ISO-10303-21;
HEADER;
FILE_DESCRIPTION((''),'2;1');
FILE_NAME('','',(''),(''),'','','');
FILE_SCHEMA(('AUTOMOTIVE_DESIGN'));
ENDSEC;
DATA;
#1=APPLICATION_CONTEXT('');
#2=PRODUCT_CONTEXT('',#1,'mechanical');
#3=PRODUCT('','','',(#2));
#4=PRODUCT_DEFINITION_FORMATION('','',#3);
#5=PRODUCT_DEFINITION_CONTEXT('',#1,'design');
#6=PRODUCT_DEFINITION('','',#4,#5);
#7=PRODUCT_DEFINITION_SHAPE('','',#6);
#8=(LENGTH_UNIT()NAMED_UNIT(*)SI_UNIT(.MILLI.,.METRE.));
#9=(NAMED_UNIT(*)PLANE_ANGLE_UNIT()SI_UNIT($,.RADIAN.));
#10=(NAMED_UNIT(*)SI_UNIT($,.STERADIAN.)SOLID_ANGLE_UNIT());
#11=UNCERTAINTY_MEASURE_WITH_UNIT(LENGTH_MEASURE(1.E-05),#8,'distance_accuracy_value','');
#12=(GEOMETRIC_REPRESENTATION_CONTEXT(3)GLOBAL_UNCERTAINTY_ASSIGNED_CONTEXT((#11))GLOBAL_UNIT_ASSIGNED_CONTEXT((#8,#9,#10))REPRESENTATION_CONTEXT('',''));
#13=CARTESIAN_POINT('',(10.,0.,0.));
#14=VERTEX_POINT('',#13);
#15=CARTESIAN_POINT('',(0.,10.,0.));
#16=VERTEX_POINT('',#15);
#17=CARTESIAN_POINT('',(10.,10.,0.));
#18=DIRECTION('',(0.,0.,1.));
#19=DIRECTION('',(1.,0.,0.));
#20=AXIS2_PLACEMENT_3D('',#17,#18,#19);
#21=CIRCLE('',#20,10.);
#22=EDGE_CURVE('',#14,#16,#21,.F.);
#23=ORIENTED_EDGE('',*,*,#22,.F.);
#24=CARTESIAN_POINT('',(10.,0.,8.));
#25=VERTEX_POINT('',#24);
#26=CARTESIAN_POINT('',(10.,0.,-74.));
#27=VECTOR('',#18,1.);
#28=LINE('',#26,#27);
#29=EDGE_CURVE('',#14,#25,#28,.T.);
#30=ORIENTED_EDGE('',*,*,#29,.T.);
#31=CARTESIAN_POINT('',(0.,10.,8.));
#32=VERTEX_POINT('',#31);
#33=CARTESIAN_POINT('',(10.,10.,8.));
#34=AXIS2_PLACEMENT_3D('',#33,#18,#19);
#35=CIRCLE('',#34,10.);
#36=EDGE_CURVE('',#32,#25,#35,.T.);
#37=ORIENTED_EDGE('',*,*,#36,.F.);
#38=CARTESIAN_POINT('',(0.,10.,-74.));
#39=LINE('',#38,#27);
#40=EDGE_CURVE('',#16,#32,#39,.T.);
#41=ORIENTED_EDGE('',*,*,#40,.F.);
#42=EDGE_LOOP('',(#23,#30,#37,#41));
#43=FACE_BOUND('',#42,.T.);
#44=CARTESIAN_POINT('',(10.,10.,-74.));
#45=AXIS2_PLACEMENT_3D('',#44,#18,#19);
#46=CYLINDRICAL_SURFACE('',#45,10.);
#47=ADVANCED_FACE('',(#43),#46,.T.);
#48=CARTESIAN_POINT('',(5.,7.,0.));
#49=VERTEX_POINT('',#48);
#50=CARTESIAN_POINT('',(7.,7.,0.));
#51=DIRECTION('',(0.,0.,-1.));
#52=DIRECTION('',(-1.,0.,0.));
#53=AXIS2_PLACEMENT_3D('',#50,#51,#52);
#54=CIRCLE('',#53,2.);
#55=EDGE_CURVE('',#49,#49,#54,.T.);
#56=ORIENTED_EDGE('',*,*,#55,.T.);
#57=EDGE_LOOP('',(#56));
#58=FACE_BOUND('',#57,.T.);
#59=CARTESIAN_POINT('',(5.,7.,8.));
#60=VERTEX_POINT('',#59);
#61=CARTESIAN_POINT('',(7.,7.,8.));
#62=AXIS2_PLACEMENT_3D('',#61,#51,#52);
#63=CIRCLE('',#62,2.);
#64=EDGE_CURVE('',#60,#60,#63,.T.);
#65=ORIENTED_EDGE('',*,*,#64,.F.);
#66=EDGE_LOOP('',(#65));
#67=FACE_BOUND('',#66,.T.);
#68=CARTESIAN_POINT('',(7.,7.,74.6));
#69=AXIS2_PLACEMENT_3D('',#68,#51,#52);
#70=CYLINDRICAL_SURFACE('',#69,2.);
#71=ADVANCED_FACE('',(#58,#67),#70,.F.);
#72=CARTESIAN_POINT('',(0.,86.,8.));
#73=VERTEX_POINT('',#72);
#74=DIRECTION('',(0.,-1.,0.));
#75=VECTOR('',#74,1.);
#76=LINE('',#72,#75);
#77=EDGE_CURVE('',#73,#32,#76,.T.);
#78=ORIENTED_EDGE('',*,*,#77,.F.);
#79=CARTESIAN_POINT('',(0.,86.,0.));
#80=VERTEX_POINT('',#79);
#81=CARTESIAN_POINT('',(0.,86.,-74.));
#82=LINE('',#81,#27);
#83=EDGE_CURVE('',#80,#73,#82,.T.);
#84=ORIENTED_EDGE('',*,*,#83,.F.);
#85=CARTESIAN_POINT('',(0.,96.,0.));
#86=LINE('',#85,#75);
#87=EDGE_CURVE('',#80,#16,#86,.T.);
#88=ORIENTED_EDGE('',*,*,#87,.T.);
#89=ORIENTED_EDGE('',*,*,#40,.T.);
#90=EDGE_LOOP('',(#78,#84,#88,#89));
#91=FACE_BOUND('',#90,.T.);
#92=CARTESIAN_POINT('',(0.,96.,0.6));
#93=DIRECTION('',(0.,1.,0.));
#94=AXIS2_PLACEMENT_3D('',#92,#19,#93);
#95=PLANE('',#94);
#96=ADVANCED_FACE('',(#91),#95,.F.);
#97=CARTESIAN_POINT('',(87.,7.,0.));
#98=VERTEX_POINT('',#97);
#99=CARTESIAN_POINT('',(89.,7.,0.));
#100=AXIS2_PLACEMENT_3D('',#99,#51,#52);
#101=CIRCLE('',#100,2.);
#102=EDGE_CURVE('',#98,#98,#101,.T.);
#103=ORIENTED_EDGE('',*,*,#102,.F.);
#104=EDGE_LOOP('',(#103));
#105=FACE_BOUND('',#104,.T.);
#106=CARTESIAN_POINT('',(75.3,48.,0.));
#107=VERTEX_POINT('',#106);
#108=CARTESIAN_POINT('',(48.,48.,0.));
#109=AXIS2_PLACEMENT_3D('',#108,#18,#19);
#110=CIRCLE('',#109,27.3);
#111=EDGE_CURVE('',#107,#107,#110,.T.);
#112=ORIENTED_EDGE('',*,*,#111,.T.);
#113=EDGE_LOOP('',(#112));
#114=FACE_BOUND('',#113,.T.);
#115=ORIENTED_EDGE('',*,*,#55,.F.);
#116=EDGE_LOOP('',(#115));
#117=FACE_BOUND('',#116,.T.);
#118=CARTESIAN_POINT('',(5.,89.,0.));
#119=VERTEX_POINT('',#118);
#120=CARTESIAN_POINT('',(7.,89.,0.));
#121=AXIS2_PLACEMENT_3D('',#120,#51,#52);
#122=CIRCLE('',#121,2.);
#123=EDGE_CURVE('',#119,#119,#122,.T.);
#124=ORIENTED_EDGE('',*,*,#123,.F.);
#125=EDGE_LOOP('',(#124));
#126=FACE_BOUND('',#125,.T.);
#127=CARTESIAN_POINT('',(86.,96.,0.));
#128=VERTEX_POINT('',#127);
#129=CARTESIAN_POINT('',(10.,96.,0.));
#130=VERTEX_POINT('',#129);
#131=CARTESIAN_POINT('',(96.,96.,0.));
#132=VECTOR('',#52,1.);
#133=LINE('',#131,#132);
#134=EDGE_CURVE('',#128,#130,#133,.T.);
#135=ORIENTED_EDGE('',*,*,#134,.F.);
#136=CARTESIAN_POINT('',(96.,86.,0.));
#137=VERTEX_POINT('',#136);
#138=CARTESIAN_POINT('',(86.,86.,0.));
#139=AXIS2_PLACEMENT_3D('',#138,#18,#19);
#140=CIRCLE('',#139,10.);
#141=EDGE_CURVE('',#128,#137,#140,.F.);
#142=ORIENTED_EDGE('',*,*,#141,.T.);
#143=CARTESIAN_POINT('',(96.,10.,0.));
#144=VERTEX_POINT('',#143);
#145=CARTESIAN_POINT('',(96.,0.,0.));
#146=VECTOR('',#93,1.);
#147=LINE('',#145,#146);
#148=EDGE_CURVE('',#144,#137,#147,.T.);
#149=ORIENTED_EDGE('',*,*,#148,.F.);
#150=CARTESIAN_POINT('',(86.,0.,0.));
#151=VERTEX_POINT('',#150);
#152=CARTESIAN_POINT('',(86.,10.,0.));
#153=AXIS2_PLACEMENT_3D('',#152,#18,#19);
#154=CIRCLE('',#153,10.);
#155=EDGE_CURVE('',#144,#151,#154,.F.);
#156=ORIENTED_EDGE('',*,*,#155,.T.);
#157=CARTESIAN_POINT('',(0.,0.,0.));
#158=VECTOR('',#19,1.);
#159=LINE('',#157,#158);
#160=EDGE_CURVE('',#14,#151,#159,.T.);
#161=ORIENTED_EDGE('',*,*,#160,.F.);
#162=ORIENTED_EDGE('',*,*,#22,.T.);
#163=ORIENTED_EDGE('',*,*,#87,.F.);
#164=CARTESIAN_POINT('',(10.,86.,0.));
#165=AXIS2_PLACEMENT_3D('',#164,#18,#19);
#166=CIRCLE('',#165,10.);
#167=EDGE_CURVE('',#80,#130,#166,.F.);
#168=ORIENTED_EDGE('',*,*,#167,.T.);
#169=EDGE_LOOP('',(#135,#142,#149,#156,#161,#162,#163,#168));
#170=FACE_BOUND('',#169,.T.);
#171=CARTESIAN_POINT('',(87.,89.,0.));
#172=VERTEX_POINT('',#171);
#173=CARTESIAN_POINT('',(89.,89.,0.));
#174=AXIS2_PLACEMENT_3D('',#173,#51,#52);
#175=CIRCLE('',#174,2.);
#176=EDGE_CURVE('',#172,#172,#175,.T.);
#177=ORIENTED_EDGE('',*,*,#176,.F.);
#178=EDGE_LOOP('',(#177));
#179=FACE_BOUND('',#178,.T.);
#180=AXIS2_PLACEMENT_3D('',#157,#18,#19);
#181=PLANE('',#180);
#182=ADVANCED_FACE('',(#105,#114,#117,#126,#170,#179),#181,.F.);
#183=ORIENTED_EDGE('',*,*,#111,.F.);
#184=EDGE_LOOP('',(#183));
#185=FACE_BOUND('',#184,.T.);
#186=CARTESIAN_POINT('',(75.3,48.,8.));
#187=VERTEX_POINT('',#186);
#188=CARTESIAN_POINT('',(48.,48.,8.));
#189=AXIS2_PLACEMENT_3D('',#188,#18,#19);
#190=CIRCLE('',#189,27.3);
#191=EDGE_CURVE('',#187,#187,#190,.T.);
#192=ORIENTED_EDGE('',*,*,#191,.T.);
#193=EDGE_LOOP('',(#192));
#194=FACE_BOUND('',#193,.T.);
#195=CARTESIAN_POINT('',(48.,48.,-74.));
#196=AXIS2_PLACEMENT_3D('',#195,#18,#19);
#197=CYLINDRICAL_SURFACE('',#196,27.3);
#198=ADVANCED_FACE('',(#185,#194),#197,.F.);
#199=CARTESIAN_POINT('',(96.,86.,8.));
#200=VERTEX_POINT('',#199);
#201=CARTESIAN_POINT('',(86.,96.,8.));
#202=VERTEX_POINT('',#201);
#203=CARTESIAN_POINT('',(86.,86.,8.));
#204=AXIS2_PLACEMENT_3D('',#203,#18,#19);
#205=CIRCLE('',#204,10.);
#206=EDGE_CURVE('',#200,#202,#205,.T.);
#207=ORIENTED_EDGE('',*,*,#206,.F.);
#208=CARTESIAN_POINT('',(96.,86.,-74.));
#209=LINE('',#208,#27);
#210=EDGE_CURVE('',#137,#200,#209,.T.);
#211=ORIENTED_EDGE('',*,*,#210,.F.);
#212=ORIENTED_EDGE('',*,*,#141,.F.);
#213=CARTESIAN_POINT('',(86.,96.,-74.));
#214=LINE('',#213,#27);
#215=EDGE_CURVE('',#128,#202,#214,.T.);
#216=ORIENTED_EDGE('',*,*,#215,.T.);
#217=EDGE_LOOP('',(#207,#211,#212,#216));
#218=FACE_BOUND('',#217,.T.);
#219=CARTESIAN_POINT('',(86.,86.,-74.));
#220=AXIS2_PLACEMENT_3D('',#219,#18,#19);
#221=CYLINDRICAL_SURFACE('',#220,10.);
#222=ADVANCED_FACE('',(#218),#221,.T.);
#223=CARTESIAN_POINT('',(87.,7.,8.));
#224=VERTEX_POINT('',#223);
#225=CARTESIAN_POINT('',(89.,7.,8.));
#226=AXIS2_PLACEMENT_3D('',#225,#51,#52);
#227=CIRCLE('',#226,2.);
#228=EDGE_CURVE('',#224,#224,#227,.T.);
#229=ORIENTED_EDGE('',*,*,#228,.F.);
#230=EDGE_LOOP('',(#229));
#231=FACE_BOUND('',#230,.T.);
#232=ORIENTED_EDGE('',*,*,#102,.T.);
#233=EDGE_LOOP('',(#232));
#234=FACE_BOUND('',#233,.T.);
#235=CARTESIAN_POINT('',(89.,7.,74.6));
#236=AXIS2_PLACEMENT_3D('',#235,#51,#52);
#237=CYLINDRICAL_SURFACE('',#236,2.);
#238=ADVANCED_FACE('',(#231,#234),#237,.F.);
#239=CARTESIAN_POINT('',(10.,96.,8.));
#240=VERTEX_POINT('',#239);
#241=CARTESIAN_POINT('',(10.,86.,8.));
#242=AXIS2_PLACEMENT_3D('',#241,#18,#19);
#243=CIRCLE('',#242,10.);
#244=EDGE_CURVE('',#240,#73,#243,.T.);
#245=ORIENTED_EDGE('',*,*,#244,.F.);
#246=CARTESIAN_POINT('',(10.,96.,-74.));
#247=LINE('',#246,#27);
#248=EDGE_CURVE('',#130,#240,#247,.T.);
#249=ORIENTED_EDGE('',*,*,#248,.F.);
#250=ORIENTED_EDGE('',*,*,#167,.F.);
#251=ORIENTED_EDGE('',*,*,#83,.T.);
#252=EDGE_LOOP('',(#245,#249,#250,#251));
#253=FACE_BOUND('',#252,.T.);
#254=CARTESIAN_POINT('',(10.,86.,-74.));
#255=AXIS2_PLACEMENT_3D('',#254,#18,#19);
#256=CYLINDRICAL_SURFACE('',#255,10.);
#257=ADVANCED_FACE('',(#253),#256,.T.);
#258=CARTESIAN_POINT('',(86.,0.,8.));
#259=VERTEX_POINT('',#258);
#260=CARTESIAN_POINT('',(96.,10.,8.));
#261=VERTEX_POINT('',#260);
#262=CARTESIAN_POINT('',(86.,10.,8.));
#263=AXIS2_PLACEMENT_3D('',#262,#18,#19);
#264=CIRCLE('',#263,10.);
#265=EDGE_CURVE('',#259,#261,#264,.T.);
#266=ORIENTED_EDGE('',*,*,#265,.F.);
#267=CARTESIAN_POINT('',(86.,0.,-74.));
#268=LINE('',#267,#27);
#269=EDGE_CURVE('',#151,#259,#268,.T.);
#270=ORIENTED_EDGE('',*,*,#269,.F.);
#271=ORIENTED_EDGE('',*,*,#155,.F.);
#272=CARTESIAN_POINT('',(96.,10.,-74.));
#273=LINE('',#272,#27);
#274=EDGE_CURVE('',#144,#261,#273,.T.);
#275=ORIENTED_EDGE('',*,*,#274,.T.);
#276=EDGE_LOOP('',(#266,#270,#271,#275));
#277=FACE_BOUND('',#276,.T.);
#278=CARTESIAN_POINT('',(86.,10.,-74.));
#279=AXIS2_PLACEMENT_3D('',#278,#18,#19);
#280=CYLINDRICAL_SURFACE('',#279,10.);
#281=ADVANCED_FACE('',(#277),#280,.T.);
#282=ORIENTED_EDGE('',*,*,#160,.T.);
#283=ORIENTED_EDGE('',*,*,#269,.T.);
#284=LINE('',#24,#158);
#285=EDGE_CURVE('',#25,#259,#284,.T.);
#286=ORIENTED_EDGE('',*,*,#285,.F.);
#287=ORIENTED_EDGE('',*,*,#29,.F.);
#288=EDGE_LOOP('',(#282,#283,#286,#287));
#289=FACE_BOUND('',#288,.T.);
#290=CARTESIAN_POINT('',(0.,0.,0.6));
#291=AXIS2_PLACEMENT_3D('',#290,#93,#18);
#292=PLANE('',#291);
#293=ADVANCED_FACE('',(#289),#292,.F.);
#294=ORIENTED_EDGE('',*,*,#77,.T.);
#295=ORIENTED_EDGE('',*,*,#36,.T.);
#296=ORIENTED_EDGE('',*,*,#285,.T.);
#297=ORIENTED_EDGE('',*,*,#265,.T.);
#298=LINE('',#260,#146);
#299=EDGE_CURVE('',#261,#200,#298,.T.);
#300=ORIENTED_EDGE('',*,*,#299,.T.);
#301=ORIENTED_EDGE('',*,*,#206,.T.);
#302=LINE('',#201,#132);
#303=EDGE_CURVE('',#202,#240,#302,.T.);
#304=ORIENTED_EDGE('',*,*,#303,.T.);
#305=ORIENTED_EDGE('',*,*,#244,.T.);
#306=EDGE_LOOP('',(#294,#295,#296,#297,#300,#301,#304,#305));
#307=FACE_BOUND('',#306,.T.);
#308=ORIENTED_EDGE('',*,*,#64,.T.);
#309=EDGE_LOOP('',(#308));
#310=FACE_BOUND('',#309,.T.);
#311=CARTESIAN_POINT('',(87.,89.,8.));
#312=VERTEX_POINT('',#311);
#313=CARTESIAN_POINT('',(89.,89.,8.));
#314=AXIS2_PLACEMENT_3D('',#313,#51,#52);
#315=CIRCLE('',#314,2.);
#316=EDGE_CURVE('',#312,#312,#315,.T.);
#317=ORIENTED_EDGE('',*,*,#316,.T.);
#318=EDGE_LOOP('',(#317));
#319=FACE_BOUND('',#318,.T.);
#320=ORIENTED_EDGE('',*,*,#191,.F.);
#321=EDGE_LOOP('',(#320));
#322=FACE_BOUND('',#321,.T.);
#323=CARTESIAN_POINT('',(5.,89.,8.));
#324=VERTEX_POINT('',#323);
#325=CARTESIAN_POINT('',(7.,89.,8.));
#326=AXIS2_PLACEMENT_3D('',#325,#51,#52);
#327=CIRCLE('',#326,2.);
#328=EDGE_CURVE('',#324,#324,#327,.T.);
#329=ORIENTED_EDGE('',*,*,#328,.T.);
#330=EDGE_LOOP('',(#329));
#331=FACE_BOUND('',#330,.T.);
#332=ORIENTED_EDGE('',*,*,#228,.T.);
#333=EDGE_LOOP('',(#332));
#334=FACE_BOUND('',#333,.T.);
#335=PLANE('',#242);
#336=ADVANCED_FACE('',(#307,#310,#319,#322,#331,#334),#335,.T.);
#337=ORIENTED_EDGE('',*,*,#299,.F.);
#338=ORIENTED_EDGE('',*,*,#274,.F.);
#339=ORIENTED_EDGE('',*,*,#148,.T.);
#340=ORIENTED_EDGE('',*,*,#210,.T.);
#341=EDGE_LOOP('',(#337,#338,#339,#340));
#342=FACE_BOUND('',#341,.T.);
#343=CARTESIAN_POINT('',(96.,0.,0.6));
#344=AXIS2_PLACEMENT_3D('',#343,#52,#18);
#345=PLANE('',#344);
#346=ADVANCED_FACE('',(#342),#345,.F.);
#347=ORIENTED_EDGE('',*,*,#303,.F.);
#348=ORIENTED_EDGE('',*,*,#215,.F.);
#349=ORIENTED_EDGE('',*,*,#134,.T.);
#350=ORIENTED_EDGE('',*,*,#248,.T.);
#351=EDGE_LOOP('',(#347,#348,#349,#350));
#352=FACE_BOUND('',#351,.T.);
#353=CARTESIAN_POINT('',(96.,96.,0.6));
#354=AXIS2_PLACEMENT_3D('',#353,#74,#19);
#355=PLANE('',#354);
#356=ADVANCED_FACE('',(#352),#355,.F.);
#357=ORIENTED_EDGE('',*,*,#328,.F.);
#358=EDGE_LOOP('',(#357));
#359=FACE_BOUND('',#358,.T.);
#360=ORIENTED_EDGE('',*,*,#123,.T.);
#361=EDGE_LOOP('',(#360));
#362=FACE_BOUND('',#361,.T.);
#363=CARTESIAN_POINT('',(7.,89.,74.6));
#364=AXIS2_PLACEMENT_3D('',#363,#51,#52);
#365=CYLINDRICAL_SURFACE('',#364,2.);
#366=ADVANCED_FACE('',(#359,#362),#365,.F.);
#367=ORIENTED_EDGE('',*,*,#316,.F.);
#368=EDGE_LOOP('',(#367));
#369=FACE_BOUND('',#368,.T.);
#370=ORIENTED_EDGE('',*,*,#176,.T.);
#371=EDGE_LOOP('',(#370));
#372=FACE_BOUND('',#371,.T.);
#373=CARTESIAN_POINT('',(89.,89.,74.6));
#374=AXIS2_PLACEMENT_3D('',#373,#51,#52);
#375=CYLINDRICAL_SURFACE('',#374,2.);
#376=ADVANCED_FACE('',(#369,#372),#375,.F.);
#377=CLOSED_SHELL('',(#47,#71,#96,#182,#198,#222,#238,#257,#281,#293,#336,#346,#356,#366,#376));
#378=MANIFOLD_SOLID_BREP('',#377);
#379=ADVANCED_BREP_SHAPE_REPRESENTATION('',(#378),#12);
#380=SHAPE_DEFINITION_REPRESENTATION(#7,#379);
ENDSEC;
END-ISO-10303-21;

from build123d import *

# Parameters (mm, degrees)
SKETCH1_W           = 96
SKETCH1_H           = 96
BOSS_EXTRUDE1_DEPTH = 0.6
CUT_EXTRUDE1_DEPTH  = 74.6
SKETCH3_R           = 27.3
CUT_EXTRUDE2_DEPTH  = 74.6
SKETCH4_R           = 2
CUT_EXTRUDE3_DEPTH  = 74.6
SKETCH5_R           = 37.3
SKETCH5_R_2         = 27.3
BOSS_EXTRUDE3_DEPTH = 2.5
BOSS_EXTRUDE3_DRAFT = 42
BOSS_EXTRUDE4_START = 7.4
SKETCH8_R           = 27.3
BOSS_EXTRUDE4_DEPTH = 7.4
SKETCH9_R           = 2
CUT_EXTRUDE4_DEPTH  = 137


with BuildPart() as part:
    # Sketch1 → Boss-Extrude1 (new body)
    with BuildSketch(Plane.XY):
        with Locations((48, 48)):
            Rectangle(SKETCH1_W, SKETCH1_H)
    extrude(amount=BOSS_EXTRUDE1_DEPTH)

    # Sketch2 → Cut-Extrude1 (cut)
    with BuildSketch(Plane.XY.offset(0.6)):
        with BuildLine():
            Line((10, 96), (0, 96))
            Line((0, 96), (0, 86))
            ThreePointArc((0, 86), (2.928932188, 93.071067812), (10, 96))
        make_face()
        with BuildLine():
            Line((86, 96), (96, 96))
            Line((96, 96), (96, 86))
            ThreePointArc((96, 86), (93.071067812, 93.071067812), (86, 96))
        make_face()
        with BuildLine():
            Line((86, 0), (96, 0))
            Line((96, 0), (96, 10))
            ThreePointArc((96, 10), (93.071067812, 2.928932188), (86, 0))
        make_face()
        with BuildLine():
            Line((0, 0), (10, 0))
            ThreePointArc((10, 0), (2.928932188, 2.928932188), (0, 10))
            Line((0, 10), (0, 0))
        make_face()
    extrude(amount=-CUT_EXTRUDE1_DEPTH, mode=Mode.SUBTRACT)

    # Sketch3 → Cut-Extrude2 (cut)
    with BuildSketch(Plane.XY.offset(0.6)):
        with Locations((48, 48)):
            Circle(SKETCH3_R)
    extrude(amount=-CUT_EXTRUDE2_DEPTH, mode=Mode.SUBTRACT)

    # Sketch4 → Cut-Extrude3 (cut)
    with BuildSketch(Plane(origin=(0, 0, 0), x_dir=(-1, 0, 0), z_dir=(0, 0, -1))):
        with Locations((-89, 89)):
            Circle(SKETCH4_R)
        with Locations((-7, 89)):
            Circle(SKETCH4_R)
        with Locations((-7, 7)):
            Circle(SKETCH4_R)
        with Locations((-89, 7)):
            Circle(SKETCH4_R)
    extrude(amount=-CUT_EXTRUDE3_DEPTH, mode=Mode.SUBTRACT)


with BuildPart() as boss_extrude3_tool:
    # Sketch5 → Boss-Extrude3 (with draft: the straight prism first)
    with BuildSketch(Plane.XY.offset(0.6)):
        with Locations((48, 48)):
            Circle(SKETCH5_R)
        with Locations((48, 48)):
            Circle(SKETCH5_R_2, mode=Mode.SUBTRACT)
    extrude(amount=BOSS_EXTRUDE3_DEPTH)
    # Boss-Extrude3: the draft: its side faces are tilted about the plane it starts from
    boss_extrude3_sides = [boss_extrude3_tool.faces().sort_by_distance(p)[0] for p in [
        (10.7, 48, 1.85),
        (20.7, 48, 1.85),
    ]]
    draft(boss_extrude3_sides, Plane.XY.offset(0.6), BOSS_EXTRUDE3_DRAFT)


with BuildPart() as part_1:
    add(part.part)

    # Boss-Extrude3: add boss_extrude3_tool
    add(boss_extrude3_tool.part)

    # Sketch8 → Boss-Extrude4 (add)
    with BuildSketch(Plane.XY.offset(0.6).offset(BOSS_EXTRUDE4_START)):
        with BuildLine():
            Line((0, 86), (0, 10))
            ThreePointArc((0, 10), (2.928932188, 2.928932188), (10, 0))
            Line((10, 0), (86, 0))
            ThreePointArc((86, 0), (93.071067812, 2.928932188), (96, 10))
            Line((96, 10), (96, 86))
            ThreePointArc((96, 86), (93.071067812, 93.071067812), (86, 96))
            Line((86, 96), (10, 96))
            ThreePointArc((10, 96), (2.928932188, 93.071067812), (0, 86))
        make_face()
        with Locations((48, 48)):
            Circle(SKETCH8_R, mode=Mode.SUBTRACT)
    extrude(amount=-BOSS_EXTRUDE4_DEPTH)

    # Sketch9 → Cut-Extrude4 (cut, through all)
    with BuildSketch(Plane(origin=(0, 0, 0), x_dir=(-1, 0, 0), z_dir=(0, 0, -1))):
        with Locations((-7, 89)):
            Circle(SKETCH9_R)
        with Locations((-89, 89)):
            Circle(SKETCH9_R)
        with Locations((-89, 7)):
            Circle(SKETCH9_R)
        with Locations((-7, 7)):
            Circle(SKETCH9_R)
    extrude(amount=-CUT_EXTRUDE4_DEPTH, mode=Mode.SUBTRACT)


solid = part_1.part
